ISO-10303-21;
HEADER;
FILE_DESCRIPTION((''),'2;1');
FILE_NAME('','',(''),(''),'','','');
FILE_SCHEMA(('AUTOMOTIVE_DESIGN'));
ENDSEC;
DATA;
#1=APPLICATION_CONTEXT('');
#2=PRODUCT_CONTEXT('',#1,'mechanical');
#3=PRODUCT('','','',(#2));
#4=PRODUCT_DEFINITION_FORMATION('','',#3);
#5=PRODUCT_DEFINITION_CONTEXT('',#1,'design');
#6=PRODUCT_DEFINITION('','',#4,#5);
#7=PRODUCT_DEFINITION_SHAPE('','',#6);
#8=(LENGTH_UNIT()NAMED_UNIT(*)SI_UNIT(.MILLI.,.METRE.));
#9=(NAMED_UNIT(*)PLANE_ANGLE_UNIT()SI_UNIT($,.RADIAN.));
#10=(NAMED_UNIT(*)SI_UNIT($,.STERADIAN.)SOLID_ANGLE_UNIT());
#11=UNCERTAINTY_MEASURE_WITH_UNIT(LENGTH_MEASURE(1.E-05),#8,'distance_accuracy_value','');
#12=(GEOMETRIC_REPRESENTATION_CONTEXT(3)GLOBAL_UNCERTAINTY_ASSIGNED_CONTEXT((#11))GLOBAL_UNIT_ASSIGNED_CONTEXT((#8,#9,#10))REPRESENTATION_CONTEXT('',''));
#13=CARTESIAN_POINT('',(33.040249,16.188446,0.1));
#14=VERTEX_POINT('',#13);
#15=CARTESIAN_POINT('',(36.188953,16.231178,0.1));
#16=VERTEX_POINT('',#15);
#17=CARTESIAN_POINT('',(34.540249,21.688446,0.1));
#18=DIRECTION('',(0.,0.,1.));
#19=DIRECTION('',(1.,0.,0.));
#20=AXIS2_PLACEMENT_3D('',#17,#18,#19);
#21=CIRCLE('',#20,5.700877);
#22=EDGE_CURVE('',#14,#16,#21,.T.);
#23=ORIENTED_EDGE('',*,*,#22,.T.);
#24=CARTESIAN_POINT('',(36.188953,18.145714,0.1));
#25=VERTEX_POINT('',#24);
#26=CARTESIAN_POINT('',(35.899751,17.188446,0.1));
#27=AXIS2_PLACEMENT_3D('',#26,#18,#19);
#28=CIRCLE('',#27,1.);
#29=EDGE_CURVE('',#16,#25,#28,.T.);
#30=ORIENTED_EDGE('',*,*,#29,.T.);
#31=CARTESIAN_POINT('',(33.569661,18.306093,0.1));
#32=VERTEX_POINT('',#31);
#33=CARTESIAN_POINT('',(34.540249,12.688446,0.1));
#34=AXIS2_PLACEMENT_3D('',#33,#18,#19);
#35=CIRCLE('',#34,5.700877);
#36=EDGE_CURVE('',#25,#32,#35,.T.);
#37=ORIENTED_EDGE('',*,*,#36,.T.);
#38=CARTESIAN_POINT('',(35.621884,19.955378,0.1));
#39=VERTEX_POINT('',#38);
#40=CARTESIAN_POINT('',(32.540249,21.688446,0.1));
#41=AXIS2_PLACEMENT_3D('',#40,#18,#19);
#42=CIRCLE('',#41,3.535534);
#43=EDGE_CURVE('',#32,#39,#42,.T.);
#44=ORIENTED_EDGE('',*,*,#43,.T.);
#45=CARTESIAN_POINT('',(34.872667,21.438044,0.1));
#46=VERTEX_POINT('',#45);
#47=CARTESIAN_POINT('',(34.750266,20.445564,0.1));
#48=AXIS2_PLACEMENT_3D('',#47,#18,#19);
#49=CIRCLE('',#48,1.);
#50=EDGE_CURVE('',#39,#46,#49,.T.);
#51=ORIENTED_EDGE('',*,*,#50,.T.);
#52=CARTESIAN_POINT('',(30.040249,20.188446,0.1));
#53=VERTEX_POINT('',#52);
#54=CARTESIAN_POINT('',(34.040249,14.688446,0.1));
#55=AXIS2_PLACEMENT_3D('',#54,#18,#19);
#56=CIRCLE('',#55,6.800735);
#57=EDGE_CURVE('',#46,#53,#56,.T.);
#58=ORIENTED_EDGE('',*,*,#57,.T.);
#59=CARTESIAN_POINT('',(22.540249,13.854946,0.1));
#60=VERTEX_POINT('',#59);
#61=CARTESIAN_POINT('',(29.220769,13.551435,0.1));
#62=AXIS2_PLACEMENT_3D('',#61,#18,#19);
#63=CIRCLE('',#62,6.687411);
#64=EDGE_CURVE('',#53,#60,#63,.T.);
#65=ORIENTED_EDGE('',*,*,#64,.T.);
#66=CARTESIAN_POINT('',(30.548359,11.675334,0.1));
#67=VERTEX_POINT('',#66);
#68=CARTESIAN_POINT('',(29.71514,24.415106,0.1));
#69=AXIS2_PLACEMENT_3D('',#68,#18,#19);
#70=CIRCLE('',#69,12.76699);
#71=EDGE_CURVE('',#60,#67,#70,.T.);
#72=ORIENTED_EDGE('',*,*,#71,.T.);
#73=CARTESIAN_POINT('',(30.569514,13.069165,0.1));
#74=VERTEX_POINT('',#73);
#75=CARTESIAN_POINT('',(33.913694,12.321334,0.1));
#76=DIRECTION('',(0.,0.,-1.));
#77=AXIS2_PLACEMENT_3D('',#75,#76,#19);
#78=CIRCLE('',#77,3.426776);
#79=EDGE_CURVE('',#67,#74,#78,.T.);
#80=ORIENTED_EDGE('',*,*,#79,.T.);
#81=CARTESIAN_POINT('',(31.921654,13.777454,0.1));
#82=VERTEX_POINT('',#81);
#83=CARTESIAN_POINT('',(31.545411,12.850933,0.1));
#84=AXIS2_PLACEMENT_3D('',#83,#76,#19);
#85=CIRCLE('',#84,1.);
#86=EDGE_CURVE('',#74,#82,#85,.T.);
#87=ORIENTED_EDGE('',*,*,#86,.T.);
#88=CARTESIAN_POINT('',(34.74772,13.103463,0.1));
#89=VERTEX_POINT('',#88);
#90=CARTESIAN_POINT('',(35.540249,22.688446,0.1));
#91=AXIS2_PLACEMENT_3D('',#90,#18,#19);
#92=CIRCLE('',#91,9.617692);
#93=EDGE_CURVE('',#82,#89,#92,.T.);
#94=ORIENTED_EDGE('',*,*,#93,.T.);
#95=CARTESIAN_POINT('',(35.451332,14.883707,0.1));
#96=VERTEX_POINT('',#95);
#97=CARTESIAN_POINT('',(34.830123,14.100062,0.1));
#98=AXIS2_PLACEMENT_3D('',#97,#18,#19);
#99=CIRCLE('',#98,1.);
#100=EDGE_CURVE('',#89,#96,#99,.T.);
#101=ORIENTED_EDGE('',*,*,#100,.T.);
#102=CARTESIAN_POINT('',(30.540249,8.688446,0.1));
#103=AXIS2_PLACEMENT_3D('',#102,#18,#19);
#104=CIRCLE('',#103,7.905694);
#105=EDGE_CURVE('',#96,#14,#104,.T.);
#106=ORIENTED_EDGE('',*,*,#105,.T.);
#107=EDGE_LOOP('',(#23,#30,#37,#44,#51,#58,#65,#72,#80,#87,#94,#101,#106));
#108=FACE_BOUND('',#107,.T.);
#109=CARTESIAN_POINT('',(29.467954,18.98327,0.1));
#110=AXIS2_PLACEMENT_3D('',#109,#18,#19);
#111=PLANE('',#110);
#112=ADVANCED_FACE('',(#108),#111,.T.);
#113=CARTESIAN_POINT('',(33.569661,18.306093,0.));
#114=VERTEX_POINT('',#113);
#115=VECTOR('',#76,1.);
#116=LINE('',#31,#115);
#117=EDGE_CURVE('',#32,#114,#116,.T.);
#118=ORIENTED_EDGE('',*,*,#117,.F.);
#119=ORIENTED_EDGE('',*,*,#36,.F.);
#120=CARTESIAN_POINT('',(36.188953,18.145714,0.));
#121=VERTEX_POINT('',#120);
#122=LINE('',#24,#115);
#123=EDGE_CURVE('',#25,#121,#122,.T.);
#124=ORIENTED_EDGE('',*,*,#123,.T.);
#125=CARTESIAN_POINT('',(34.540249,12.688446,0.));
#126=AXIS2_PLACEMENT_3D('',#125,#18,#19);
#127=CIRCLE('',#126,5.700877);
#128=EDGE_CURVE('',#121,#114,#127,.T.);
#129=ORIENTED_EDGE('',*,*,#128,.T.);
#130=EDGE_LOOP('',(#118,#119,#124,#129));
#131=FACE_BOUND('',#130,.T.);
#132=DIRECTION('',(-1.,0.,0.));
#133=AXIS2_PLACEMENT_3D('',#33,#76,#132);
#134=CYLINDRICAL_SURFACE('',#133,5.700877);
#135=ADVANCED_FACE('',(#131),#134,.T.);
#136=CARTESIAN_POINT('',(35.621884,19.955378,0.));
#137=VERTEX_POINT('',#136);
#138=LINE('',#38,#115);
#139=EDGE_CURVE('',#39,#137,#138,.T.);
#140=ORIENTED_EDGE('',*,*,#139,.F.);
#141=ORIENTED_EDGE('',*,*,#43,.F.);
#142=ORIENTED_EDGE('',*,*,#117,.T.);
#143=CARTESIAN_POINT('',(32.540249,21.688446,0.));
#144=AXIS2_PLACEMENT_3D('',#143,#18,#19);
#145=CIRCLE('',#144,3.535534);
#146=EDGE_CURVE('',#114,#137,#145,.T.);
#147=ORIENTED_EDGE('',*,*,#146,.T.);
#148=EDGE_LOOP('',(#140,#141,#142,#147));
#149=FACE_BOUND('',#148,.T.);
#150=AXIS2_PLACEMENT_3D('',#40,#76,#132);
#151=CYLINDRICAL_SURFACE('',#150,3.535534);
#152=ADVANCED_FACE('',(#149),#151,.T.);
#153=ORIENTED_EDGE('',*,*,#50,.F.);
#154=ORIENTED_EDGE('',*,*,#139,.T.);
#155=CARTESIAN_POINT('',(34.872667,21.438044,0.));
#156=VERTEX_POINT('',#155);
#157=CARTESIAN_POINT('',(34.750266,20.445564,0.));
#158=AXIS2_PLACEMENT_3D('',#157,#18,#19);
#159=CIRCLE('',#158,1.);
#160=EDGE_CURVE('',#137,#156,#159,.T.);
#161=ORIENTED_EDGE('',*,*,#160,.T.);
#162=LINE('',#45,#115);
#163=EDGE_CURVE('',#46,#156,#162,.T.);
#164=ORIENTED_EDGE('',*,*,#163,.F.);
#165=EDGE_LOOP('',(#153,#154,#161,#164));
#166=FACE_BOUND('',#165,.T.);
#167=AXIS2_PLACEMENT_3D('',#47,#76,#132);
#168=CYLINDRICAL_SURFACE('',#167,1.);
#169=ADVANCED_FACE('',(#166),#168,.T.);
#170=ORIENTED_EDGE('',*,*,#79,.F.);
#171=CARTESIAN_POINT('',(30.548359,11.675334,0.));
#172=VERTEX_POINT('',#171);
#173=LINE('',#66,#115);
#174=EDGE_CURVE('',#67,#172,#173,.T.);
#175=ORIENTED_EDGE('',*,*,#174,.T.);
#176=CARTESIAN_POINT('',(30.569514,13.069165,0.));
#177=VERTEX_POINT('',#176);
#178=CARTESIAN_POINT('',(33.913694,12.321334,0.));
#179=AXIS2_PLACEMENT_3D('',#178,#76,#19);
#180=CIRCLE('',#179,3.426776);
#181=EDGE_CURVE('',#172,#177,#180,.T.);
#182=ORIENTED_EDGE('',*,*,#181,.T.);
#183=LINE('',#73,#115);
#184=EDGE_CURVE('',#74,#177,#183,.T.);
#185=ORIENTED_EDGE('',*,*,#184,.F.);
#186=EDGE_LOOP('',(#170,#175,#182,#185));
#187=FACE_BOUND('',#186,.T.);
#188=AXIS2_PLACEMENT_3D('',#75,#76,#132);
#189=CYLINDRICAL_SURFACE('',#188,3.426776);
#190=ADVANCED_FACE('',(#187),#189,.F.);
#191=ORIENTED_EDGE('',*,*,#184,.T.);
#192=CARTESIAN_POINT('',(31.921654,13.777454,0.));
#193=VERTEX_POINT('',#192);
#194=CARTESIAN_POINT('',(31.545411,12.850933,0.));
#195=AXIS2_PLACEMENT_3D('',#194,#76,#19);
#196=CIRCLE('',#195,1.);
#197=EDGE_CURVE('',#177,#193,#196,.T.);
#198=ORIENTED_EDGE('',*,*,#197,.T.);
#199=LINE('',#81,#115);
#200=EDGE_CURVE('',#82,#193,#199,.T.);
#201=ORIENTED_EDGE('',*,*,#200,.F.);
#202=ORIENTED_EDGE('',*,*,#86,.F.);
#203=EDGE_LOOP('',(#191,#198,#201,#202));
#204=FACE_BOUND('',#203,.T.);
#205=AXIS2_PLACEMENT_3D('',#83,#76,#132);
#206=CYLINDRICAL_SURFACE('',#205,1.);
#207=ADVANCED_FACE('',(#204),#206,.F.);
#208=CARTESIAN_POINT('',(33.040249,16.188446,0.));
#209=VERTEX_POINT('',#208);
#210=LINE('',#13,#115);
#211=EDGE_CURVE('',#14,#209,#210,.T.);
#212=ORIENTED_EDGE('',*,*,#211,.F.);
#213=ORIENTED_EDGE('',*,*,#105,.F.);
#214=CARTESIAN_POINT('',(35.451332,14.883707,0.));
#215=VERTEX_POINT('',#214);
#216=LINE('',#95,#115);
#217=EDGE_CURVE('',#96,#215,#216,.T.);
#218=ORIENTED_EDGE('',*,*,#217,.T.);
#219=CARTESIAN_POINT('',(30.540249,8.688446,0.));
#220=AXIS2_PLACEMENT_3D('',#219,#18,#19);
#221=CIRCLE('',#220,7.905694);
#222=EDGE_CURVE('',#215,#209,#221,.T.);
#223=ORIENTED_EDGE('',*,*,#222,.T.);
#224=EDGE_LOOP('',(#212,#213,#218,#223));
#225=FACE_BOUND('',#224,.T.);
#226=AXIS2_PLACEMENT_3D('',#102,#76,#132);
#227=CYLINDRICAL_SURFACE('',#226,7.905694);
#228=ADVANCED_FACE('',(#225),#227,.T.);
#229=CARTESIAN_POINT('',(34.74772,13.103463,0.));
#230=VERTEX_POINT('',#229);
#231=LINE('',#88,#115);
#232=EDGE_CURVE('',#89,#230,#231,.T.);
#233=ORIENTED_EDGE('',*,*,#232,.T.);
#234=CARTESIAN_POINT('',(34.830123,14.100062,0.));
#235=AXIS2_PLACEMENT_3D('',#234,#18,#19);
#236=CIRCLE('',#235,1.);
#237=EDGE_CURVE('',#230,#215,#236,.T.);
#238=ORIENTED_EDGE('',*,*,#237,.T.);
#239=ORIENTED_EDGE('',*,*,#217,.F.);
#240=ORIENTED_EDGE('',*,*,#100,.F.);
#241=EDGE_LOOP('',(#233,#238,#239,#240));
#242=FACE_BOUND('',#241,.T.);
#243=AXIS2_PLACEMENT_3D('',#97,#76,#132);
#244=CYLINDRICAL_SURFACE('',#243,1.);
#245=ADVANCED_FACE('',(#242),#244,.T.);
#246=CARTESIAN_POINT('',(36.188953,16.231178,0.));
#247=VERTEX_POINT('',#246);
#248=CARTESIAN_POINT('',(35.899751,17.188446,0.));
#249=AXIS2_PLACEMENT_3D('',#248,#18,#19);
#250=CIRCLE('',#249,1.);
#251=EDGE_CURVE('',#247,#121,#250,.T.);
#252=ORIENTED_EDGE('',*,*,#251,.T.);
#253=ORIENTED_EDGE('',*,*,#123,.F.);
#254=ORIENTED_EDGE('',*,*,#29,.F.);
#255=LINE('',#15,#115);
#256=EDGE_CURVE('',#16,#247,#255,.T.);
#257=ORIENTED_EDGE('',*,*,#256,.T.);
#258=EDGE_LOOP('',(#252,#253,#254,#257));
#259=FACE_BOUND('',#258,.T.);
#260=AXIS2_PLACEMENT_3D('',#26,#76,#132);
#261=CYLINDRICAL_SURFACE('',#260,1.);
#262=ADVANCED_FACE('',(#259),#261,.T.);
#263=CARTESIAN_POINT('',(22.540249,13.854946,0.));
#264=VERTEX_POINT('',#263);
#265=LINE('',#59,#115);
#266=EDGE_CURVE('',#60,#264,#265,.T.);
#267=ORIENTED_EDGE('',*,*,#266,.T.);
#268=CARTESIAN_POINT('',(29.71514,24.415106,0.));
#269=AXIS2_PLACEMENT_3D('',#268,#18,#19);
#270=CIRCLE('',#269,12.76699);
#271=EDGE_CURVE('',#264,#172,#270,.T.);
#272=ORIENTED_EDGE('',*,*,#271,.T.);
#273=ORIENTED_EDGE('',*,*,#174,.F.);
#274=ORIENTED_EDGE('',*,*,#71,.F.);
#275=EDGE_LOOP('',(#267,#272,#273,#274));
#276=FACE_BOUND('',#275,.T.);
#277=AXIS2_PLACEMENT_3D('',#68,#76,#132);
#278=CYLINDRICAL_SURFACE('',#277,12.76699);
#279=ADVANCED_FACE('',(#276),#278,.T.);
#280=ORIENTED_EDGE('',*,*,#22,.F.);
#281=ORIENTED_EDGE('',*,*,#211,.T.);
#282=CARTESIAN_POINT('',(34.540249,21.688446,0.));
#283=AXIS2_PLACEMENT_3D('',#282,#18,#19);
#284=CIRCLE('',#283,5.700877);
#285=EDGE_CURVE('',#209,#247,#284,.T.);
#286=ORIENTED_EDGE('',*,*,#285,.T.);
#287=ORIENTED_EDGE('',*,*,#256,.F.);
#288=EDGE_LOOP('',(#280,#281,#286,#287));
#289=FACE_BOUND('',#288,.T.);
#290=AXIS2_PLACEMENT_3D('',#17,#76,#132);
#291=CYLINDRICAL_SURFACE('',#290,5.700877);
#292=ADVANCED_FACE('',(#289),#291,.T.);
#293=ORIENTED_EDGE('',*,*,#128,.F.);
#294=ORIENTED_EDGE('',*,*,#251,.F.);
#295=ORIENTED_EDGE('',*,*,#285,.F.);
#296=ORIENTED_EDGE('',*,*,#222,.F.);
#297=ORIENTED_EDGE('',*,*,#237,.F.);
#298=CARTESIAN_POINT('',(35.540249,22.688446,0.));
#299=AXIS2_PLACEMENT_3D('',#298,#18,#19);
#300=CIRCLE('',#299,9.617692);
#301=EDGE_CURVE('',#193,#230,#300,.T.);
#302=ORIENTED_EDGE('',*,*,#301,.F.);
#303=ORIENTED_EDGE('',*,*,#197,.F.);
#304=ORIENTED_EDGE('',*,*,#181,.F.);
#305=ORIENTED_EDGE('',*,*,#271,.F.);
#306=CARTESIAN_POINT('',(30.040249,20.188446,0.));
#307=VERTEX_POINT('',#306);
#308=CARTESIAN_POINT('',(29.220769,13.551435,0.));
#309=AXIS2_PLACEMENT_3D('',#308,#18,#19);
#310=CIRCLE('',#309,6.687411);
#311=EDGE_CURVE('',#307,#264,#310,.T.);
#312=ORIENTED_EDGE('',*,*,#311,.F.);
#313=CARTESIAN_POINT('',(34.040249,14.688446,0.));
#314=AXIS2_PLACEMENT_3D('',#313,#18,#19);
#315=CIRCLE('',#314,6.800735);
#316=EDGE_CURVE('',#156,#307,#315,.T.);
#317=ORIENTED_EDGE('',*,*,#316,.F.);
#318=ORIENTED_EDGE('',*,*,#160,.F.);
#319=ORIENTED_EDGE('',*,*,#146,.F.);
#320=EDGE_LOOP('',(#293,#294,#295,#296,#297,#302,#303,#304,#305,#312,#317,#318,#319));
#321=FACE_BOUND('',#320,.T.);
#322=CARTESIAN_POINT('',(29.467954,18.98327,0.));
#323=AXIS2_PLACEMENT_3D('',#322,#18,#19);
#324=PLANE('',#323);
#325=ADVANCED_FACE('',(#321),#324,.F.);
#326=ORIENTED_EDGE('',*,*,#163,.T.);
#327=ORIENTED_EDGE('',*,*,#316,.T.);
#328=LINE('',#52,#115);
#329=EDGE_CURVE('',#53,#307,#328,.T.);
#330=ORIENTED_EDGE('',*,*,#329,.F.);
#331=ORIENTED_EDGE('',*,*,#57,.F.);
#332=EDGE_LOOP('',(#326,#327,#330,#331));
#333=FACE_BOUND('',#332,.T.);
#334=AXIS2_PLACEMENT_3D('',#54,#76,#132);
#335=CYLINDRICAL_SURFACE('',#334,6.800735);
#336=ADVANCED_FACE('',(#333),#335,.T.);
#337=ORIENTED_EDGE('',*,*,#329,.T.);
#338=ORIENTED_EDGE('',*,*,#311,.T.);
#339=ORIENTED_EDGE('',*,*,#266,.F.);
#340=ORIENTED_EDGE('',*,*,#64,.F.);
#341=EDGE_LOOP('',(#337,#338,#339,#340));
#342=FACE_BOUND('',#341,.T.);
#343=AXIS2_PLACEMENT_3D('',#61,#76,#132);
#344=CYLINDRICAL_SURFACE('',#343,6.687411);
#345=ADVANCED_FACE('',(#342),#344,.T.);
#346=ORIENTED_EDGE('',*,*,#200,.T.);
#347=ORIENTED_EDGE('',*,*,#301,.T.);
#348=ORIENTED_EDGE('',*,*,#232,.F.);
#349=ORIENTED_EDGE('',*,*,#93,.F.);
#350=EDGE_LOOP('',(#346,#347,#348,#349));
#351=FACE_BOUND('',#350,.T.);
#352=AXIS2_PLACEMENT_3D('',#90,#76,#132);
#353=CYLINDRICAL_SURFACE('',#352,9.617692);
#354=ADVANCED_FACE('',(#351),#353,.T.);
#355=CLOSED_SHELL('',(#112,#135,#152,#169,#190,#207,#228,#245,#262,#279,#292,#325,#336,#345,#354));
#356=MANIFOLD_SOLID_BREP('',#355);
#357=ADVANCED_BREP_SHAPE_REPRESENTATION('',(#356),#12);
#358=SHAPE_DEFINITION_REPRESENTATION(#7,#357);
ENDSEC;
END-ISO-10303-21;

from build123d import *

# Parameters (mm, degrees)
SALIENTE_EXTRUIR1_DEPTH = 0.1


with BuildPart() as part:
    # Model → Saliente-Extruir1 (new body)
    with BuildSketch(Plane.XY):
        with BuildLine():
            ThreePointArc((22.540248989, 13.854945853), (26.36224915, 12.09625195), (30.548359243, 11.675334187))
            ThreePointArc((30.548359243, 11.675334187), (30.487312629, 12.373336734), (30.5695137, 13.069165182))
            ThreePointArc((30.5695137, 13.069165182), (31.081390856, 13.736758239), (31.921654238, 13.777454212))
            ThreePointArc((31.921654238, 13.777454212), (33.309090368, 13.333130187), (34.7477202, 13.103462905))
            ThreePointArc((34.7477202, 13.103462905), (35.76012095, 13.732496208), (35.451331706, 14.883707473))
            ThreePointArc((35.451331706, 14.883707473), (34.302777703, 15.641386071), (33.040248989, 16.188445853))
            ThreePointArc((33.040248989, 16.188445853), (34.617609881, 15.988093646), (36.188952789, 16.231177692))
            ThreePointArc((36.188952789, 16.231177692), (36.899751011, 17.188445853), (36.188952789, 18.145714014))
            ThreePointArc((36.188952789, 18.145714014), (34.888660423, 18.378666365), (33.569660753, 18.306092912))
            ThreePointArc((33.569660753, 18.306092912), (34.755020368, 18.932581608), (35.621884252, 19.955378023))
            ThreePointArc((35.621884252, 19.955378023), (35.642787011, 20.89656979), (34.872667415, 21.438044328))
            ThreePointArc((34.872667415, 21.438044328), (32.337672311, 21.27261115), (30.040248989, 20.188445853))
            ThreePointArc((30.040248989, 20.188445853), (24.906113256, 18.660760825), (22.540248989, 13.854945853))
        make_face()
    extrude(amount=SALIENTE_EXTRUIR1_DEPTH)


solid = part.part
